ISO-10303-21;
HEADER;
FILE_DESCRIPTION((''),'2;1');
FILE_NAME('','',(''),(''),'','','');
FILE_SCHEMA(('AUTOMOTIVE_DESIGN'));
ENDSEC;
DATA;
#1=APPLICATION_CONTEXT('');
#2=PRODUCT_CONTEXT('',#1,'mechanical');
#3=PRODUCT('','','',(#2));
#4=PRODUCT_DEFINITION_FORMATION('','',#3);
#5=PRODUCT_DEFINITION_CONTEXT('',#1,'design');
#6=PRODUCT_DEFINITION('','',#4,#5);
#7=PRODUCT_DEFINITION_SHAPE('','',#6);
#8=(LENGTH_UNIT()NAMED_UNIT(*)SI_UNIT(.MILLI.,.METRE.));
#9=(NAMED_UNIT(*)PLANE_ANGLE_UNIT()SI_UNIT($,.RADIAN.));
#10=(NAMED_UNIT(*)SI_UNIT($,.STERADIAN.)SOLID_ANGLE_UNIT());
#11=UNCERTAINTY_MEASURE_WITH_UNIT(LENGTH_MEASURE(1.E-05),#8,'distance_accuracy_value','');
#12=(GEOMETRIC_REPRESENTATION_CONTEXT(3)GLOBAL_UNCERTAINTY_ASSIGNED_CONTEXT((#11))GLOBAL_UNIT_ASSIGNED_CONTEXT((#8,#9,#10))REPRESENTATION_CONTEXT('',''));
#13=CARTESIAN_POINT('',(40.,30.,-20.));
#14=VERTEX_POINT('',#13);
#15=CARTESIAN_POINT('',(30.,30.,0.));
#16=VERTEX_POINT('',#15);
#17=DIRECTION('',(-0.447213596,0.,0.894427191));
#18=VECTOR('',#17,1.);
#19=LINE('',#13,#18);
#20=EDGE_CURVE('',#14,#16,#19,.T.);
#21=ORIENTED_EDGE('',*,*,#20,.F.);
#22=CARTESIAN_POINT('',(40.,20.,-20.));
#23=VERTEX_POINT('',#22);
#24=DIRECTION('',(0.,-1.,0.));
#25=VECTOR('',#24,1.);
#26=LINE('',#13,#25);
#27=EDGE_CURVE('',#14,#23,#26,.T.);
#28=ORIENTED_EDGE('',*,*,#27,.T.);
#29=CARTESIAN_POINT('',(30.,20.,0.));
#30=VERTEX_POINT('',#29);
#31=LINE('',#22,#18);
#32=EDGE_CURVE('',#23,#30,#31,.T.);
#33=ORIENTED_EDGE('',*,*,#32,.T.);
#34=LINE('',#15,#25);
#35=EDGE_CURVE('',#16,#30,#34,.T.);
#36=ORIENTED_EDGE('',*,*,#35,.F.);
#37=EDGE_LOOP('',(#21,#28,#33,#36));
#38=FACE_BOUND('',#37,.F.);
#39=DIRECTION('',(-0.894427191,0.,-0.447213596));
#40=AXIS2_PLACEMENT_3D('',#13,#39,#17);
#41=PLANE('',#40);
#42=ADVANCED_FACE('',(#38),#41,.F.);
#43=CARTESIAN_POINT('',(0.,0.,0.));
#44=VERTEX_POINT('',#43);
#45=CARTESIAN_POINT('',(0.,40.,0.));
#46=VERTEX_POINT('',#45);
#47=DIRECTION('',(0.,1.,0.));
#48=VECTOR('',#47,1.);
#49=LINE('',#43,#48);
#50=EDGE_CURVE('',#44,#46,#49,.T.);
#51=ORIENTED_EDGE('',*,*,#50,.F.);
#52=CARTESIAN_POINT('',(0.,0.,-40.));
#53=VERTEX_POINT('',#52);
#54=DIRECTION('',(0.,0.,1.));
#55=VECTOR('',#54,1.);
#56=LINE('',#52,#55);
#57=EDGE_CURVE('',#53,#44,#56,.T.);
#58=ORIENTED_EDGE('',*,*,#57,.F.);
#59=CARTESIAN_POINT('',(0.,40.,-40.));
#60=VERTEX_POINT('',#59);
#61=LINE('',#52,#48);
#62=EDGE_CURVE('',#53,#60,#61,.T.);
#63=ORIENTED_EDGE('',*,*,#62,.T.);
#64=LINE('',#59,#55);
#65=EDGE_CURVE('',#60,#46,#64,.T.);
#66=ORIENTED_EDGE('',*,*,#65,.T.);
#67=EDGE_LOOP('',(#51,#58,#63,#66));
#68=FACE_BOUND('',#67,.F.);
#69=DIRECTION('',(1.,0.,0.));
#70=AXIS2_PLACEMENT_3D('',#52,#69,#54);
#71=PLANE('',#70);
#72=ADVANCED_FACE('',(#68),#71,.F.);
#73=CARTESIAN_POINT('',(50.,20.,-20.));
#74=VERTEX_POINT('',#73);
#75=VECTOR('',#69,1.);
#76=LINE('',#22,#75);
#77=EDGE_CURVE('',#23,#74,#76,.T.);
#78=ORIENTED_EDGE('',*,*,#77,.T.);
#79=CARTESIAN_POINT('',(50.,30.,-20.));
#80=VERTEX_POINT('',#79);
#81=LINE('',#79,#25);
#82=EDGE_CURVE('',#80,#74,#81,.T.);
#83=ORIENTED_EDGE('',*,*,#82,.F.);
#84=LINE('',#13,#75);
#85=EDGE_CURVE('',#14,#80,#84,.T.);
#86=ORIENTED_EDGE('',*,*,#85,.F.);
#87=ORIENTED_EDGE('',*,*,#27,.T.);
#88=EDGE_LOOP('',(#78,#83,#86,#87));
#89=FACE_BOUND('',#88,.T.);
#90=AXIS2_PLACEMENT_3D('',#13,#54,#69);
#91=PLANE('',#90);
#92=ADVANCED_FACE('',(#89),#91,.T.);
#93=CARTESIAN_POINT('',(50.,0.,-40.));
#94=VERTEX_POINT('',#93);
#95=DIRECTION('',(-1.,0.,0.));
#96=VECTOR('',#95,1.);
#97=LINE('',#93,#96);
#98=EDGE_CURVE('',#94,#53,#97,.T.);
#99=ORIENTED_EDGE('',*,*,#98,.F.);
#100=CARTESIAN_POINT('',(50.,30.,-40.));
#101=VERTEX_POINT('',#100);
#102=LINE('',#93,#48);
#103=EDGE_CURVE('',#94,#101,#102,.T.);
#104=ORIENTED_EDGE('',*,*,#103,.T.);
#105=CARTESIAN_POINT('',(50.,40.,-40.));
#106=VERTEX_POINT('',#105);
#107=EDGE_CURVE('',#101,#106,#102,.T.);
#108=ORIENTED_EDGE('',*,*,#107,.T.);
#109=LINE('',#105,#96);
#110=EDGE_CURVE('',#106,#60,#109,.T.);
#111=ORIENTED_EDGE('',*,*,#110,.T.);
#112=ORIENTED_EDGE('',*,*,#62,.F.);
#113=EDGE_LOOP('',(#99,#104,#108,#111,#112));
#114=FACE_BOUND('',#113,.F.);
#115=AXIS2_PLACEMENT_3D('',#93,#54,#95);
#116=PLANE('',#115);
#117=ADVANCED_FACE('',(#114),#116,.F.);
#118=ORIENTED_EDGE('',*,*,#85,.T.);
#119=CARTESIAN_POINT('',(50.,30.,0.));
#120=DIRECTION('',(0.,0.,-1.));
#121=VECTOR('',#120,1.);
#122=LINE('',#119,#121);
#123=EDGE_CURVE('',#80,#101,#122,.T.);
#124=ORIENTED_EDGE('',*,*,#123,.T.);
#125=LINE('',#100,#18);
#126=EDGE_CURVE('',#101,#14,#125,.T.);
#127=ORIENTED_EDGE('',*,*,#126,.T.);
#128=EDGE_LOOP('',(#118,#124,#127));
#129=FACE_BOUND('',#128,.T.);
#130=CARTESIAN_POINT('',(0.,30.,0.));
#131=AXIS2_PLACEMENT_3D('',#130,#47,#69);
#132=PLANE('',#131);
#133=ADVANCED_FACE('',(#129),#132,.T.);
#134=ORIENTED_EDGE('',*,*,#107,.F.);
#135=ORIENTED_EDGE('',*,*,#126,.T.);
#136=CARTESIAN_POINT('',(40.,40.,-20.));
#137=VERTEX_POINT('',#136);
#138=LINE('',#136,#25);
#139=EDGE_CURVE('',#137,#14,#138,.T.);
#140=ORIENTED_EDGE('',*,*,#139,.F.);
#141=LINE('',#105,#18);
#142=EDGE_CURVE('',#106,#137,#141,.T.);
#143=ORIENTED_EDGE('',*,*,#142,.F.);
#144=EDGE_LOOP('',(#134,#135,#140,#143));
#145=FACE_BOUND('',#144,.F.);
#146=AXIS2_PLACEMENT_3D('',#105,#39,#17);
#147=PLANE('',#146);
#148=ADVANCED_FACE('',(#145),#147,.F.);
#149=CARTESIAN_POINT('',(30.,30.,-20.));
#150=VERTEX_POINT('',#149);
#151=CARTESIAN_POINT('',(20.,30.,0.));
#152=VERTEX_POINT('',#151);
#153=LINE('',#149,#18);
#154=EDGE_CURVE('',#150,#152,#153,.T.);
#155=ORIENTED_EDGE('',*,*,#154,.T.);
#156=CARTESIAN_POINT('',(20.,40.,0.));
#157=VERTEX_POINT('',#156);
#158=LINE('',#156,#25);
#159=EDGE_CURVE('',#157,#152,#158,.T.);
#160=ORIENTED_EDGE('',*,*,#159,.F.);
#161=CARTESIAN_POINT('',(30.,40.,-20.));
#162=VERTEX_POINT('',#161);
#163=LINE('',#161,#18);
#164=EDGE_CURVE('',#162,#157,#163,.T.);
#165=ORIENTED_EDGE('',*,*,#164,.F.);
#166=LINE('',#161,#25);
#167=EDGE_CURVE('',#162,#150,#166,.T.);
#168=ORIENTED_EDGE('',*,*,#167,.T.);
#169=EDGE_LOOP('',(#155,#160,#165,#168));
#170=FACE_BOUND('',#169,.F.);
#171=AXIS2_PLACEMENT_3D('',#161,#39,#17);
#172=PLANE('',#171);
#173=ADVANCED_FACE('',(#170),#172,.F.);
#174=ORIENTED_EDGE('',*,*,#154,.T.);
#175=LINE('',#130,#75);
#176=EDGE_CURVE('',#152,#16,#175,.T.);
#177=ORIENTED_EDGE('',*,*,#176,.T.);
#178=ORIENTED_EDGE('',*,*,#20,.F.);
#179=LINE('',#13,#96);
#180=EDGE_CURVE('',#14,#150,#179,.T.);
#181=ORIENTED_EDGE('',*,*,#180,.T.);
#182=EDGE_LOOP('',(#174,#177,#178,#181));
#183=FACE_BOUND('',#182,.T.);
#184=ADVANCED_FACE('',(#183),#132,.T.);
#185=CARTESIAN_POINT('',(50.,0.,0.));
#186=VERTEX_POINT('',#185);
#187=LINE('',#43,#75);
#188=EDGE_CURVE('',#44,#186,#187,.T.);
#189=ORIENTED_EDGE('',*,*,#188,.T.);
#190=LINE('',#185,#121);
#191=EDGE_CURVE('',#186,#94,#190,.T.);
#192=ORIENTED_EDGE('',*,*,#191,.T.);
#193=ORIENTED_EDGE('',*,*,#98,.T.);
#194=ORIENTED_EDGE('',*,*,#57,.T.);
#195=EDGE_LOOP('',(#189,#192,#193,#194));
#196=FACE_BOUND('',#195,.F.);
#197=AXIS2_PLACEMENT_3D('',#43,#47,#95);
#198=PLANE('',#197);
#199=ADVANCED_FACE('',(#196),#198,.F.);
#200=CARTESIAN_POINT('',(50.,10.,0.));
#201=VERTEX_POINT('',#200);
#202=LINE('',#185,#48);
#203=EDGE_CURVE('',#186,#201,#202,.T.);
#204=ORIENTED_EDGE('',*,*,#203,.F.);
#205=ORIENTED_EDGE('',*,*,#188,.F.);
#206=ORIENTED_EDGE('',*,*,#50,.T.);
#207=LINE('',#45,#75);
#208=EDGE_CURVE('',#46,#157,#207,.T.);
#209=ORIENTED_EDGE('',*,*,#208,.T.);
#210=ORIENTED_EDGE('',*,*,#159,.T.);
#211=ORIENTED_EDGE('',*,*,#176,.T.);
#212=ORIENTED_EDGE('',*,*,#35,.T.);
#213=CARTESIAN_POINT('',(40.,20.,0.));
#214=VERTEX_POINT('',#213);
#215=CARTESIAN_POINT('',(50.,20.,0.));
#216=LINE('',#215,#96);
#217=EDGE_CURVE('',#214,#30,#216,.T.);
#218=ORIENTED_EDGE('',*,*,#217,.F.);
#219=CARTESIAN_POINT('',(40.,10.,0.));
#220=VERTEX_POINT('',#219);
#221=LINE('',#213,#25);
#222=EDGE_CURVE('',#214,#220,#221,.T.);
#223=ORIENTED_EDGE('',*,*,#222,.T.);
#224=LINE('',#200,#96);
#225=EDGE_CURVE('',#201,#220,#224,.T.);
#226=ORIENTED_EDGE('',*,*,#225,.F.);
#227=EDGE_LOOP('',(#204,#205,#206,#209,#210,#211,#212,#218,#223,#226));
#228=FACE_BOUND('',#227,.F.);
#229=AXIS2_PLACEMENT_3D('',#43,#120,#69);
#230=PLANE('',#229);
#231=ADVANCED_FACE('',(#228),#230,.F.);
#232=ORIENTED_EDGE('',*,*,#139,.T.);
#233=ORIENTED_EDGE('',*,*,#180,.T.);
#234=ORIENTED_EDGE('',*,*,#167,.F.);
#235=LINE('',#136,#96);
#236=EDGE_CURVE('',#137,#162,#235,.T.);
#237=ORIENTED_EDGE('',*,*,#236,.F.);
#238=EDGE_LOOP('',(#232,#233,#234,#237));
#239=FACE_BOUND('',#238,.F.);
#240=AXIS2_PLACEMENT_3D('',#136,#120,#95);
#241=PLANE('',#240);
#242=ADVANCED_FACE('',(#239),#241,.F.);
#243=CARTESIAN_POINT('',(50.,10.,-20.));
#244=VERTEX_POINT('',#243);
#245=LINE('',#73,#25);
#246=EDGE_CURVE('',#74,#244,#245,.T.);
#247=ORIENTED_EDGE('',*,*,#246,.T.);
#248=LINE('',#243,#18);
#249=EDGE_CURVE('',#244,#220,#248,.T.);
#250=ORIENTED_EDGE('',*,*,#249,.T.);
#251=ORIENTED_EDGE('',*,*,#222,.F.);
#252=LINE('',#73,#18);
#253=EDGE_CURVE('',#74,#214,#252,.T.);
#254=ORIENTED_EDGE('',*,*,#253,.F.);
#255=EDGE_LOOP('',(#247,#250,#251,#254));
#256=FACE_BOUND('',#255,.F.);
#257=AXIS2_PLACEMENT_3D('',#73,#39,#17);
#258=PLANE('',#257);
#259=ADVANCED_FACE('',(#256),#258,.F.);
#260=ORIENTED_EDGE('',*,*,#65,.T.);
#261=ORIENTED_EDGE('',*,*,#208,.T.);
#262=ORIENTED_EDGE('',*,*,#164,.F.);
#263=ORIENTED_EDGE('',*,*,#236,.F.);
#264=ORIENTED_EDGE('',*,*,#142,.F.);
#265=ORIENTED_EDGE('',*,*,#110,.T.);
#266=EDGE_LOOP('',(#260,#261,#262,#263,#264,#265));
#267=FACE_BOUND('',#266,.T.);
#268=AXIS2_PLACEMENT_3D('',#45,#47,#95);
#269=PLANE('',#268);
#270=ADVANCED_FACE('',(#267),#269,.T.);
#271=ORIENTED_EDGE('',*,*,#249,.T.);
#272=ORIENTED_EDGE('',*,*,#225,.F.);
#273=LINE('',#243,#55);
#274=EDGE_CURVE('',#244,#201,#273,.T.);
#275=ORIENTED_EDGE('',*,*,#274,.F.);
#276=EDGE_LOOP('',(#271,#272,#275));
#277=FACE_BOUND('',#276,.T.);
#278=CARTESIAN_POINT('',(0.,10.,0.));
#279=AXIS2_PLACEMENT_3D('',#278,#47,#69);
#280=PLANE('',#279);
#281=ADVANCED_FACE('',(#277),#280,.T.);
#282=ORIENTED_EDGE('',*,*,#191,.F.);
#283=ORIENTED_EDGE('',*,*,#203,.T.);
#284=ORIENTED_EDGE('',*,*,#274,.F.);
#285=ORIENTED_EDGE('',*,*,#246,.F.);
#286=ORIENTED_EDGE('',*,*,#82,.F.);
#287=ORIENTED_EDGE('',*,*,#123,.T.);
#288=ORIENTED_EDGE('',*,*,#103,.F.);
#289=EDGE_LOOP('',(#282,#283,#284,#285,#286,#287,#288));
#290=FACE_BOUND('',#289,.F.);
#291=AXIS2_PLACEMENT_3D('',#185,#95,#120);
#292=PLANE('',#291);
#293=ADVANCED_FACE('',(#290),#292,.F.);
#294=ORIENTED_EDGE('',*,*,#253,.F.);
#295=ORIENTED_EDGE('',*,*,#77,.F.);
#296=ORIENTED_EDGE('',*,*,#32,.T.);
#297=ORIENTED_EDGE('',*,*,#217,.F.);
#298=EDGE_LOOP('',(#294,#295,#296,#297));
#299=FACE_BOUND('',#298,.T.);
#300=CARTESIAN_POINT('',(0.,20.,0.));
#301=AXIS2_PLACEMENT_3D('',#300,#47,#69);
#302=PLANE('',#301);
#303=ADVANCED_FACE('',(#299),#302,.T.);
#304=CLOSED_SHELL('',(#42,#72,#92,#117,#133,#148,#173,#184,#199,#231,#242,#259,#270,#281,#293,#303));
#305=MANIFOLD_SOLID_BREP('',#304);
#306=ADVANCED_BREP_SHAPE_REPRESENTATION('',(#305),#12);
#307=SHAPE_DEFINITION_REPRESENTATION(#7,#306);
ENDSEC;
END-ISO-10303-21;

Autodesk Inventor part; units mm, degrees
ref_plane "YZ Plane" through (0, 0, 0) normal (1, 0, 0) x (0, 1, 0)
ref_plane "XZ Plane" through (0, 0, 0) normal (0, 1, 0) x (-1, 0, 0)
ref_plane "XY Plane" through (0, 0, 0) normal (0, 0, 1) x (1, 0, 0)
sketch "草圖1" plane through (0, 0, 0) normal (0, 1, 0) x (-1, 0, 0)
  line L0 (0, 0) -> (-50, 0)
  line L1 (-50, 0) -> (-50, -40)
  line L2 (-50, -40) -> (0, -40)
  line L3 (0, -40) -> (0, 0)
  dimension "d0" = 40
  dimension "d1" = 50
extrude "擠出1" add sketch "草圖1" along normal blind 40
sketch "草圖2" plane through (0, 40, 0) normal (0, 1, 0) x (1, 0, 0)
  line L0 (50, 0) -> (50, 40) projected
  line L1 (50, 40) -> (40, 20)
  line L2 (40, 20) -> (30, 20)
  line L3 (30, 20) -> (20, 0)
  line L4 (0, 0) -> (50, 0) projected
  dimension "d4" = 20
  dimension "d5" = 10
  dimension "d6" = 10
  dimension "d7" = 10
extrude "擠出2" cut sketch "草圖2" against normal blind 10
sketch "草圖3" plane through (0, 30, 0) normal (0, 1, 0) x (1, 0, 0)
  line L0 (30, 20) -> (40, 20) projected
  line L1 (40, 20) -> (30, 0)
  line L2 (50, 0) -> (20, 0) projected
  line L3 (40, 20) -> (50, 20)
  line L4 (50, 40) -> (50, 0) projected
  line L5 (50, 20) -> (50, 0)
  point P0 (0, 0)
  dimension "d10" = 10
extrude "擠出3" cut sketch "草圖3" against normal blind 10
sketch "草圖4" plane through (0, 20, 0) normal (0, 1, 0) x (1, 0, 0)
  line L0 (50, 20) -> (50, 0) projected
  line L1 (50, 20) -> (40, 0)
  line L2 (50, 0) -> (30, 0) projected
  point P0 (0, 0)
  dimension "d13" = 10
extrude "擠出4" cut sketch "草圖4" against normal blind 10
properties part number "23"
